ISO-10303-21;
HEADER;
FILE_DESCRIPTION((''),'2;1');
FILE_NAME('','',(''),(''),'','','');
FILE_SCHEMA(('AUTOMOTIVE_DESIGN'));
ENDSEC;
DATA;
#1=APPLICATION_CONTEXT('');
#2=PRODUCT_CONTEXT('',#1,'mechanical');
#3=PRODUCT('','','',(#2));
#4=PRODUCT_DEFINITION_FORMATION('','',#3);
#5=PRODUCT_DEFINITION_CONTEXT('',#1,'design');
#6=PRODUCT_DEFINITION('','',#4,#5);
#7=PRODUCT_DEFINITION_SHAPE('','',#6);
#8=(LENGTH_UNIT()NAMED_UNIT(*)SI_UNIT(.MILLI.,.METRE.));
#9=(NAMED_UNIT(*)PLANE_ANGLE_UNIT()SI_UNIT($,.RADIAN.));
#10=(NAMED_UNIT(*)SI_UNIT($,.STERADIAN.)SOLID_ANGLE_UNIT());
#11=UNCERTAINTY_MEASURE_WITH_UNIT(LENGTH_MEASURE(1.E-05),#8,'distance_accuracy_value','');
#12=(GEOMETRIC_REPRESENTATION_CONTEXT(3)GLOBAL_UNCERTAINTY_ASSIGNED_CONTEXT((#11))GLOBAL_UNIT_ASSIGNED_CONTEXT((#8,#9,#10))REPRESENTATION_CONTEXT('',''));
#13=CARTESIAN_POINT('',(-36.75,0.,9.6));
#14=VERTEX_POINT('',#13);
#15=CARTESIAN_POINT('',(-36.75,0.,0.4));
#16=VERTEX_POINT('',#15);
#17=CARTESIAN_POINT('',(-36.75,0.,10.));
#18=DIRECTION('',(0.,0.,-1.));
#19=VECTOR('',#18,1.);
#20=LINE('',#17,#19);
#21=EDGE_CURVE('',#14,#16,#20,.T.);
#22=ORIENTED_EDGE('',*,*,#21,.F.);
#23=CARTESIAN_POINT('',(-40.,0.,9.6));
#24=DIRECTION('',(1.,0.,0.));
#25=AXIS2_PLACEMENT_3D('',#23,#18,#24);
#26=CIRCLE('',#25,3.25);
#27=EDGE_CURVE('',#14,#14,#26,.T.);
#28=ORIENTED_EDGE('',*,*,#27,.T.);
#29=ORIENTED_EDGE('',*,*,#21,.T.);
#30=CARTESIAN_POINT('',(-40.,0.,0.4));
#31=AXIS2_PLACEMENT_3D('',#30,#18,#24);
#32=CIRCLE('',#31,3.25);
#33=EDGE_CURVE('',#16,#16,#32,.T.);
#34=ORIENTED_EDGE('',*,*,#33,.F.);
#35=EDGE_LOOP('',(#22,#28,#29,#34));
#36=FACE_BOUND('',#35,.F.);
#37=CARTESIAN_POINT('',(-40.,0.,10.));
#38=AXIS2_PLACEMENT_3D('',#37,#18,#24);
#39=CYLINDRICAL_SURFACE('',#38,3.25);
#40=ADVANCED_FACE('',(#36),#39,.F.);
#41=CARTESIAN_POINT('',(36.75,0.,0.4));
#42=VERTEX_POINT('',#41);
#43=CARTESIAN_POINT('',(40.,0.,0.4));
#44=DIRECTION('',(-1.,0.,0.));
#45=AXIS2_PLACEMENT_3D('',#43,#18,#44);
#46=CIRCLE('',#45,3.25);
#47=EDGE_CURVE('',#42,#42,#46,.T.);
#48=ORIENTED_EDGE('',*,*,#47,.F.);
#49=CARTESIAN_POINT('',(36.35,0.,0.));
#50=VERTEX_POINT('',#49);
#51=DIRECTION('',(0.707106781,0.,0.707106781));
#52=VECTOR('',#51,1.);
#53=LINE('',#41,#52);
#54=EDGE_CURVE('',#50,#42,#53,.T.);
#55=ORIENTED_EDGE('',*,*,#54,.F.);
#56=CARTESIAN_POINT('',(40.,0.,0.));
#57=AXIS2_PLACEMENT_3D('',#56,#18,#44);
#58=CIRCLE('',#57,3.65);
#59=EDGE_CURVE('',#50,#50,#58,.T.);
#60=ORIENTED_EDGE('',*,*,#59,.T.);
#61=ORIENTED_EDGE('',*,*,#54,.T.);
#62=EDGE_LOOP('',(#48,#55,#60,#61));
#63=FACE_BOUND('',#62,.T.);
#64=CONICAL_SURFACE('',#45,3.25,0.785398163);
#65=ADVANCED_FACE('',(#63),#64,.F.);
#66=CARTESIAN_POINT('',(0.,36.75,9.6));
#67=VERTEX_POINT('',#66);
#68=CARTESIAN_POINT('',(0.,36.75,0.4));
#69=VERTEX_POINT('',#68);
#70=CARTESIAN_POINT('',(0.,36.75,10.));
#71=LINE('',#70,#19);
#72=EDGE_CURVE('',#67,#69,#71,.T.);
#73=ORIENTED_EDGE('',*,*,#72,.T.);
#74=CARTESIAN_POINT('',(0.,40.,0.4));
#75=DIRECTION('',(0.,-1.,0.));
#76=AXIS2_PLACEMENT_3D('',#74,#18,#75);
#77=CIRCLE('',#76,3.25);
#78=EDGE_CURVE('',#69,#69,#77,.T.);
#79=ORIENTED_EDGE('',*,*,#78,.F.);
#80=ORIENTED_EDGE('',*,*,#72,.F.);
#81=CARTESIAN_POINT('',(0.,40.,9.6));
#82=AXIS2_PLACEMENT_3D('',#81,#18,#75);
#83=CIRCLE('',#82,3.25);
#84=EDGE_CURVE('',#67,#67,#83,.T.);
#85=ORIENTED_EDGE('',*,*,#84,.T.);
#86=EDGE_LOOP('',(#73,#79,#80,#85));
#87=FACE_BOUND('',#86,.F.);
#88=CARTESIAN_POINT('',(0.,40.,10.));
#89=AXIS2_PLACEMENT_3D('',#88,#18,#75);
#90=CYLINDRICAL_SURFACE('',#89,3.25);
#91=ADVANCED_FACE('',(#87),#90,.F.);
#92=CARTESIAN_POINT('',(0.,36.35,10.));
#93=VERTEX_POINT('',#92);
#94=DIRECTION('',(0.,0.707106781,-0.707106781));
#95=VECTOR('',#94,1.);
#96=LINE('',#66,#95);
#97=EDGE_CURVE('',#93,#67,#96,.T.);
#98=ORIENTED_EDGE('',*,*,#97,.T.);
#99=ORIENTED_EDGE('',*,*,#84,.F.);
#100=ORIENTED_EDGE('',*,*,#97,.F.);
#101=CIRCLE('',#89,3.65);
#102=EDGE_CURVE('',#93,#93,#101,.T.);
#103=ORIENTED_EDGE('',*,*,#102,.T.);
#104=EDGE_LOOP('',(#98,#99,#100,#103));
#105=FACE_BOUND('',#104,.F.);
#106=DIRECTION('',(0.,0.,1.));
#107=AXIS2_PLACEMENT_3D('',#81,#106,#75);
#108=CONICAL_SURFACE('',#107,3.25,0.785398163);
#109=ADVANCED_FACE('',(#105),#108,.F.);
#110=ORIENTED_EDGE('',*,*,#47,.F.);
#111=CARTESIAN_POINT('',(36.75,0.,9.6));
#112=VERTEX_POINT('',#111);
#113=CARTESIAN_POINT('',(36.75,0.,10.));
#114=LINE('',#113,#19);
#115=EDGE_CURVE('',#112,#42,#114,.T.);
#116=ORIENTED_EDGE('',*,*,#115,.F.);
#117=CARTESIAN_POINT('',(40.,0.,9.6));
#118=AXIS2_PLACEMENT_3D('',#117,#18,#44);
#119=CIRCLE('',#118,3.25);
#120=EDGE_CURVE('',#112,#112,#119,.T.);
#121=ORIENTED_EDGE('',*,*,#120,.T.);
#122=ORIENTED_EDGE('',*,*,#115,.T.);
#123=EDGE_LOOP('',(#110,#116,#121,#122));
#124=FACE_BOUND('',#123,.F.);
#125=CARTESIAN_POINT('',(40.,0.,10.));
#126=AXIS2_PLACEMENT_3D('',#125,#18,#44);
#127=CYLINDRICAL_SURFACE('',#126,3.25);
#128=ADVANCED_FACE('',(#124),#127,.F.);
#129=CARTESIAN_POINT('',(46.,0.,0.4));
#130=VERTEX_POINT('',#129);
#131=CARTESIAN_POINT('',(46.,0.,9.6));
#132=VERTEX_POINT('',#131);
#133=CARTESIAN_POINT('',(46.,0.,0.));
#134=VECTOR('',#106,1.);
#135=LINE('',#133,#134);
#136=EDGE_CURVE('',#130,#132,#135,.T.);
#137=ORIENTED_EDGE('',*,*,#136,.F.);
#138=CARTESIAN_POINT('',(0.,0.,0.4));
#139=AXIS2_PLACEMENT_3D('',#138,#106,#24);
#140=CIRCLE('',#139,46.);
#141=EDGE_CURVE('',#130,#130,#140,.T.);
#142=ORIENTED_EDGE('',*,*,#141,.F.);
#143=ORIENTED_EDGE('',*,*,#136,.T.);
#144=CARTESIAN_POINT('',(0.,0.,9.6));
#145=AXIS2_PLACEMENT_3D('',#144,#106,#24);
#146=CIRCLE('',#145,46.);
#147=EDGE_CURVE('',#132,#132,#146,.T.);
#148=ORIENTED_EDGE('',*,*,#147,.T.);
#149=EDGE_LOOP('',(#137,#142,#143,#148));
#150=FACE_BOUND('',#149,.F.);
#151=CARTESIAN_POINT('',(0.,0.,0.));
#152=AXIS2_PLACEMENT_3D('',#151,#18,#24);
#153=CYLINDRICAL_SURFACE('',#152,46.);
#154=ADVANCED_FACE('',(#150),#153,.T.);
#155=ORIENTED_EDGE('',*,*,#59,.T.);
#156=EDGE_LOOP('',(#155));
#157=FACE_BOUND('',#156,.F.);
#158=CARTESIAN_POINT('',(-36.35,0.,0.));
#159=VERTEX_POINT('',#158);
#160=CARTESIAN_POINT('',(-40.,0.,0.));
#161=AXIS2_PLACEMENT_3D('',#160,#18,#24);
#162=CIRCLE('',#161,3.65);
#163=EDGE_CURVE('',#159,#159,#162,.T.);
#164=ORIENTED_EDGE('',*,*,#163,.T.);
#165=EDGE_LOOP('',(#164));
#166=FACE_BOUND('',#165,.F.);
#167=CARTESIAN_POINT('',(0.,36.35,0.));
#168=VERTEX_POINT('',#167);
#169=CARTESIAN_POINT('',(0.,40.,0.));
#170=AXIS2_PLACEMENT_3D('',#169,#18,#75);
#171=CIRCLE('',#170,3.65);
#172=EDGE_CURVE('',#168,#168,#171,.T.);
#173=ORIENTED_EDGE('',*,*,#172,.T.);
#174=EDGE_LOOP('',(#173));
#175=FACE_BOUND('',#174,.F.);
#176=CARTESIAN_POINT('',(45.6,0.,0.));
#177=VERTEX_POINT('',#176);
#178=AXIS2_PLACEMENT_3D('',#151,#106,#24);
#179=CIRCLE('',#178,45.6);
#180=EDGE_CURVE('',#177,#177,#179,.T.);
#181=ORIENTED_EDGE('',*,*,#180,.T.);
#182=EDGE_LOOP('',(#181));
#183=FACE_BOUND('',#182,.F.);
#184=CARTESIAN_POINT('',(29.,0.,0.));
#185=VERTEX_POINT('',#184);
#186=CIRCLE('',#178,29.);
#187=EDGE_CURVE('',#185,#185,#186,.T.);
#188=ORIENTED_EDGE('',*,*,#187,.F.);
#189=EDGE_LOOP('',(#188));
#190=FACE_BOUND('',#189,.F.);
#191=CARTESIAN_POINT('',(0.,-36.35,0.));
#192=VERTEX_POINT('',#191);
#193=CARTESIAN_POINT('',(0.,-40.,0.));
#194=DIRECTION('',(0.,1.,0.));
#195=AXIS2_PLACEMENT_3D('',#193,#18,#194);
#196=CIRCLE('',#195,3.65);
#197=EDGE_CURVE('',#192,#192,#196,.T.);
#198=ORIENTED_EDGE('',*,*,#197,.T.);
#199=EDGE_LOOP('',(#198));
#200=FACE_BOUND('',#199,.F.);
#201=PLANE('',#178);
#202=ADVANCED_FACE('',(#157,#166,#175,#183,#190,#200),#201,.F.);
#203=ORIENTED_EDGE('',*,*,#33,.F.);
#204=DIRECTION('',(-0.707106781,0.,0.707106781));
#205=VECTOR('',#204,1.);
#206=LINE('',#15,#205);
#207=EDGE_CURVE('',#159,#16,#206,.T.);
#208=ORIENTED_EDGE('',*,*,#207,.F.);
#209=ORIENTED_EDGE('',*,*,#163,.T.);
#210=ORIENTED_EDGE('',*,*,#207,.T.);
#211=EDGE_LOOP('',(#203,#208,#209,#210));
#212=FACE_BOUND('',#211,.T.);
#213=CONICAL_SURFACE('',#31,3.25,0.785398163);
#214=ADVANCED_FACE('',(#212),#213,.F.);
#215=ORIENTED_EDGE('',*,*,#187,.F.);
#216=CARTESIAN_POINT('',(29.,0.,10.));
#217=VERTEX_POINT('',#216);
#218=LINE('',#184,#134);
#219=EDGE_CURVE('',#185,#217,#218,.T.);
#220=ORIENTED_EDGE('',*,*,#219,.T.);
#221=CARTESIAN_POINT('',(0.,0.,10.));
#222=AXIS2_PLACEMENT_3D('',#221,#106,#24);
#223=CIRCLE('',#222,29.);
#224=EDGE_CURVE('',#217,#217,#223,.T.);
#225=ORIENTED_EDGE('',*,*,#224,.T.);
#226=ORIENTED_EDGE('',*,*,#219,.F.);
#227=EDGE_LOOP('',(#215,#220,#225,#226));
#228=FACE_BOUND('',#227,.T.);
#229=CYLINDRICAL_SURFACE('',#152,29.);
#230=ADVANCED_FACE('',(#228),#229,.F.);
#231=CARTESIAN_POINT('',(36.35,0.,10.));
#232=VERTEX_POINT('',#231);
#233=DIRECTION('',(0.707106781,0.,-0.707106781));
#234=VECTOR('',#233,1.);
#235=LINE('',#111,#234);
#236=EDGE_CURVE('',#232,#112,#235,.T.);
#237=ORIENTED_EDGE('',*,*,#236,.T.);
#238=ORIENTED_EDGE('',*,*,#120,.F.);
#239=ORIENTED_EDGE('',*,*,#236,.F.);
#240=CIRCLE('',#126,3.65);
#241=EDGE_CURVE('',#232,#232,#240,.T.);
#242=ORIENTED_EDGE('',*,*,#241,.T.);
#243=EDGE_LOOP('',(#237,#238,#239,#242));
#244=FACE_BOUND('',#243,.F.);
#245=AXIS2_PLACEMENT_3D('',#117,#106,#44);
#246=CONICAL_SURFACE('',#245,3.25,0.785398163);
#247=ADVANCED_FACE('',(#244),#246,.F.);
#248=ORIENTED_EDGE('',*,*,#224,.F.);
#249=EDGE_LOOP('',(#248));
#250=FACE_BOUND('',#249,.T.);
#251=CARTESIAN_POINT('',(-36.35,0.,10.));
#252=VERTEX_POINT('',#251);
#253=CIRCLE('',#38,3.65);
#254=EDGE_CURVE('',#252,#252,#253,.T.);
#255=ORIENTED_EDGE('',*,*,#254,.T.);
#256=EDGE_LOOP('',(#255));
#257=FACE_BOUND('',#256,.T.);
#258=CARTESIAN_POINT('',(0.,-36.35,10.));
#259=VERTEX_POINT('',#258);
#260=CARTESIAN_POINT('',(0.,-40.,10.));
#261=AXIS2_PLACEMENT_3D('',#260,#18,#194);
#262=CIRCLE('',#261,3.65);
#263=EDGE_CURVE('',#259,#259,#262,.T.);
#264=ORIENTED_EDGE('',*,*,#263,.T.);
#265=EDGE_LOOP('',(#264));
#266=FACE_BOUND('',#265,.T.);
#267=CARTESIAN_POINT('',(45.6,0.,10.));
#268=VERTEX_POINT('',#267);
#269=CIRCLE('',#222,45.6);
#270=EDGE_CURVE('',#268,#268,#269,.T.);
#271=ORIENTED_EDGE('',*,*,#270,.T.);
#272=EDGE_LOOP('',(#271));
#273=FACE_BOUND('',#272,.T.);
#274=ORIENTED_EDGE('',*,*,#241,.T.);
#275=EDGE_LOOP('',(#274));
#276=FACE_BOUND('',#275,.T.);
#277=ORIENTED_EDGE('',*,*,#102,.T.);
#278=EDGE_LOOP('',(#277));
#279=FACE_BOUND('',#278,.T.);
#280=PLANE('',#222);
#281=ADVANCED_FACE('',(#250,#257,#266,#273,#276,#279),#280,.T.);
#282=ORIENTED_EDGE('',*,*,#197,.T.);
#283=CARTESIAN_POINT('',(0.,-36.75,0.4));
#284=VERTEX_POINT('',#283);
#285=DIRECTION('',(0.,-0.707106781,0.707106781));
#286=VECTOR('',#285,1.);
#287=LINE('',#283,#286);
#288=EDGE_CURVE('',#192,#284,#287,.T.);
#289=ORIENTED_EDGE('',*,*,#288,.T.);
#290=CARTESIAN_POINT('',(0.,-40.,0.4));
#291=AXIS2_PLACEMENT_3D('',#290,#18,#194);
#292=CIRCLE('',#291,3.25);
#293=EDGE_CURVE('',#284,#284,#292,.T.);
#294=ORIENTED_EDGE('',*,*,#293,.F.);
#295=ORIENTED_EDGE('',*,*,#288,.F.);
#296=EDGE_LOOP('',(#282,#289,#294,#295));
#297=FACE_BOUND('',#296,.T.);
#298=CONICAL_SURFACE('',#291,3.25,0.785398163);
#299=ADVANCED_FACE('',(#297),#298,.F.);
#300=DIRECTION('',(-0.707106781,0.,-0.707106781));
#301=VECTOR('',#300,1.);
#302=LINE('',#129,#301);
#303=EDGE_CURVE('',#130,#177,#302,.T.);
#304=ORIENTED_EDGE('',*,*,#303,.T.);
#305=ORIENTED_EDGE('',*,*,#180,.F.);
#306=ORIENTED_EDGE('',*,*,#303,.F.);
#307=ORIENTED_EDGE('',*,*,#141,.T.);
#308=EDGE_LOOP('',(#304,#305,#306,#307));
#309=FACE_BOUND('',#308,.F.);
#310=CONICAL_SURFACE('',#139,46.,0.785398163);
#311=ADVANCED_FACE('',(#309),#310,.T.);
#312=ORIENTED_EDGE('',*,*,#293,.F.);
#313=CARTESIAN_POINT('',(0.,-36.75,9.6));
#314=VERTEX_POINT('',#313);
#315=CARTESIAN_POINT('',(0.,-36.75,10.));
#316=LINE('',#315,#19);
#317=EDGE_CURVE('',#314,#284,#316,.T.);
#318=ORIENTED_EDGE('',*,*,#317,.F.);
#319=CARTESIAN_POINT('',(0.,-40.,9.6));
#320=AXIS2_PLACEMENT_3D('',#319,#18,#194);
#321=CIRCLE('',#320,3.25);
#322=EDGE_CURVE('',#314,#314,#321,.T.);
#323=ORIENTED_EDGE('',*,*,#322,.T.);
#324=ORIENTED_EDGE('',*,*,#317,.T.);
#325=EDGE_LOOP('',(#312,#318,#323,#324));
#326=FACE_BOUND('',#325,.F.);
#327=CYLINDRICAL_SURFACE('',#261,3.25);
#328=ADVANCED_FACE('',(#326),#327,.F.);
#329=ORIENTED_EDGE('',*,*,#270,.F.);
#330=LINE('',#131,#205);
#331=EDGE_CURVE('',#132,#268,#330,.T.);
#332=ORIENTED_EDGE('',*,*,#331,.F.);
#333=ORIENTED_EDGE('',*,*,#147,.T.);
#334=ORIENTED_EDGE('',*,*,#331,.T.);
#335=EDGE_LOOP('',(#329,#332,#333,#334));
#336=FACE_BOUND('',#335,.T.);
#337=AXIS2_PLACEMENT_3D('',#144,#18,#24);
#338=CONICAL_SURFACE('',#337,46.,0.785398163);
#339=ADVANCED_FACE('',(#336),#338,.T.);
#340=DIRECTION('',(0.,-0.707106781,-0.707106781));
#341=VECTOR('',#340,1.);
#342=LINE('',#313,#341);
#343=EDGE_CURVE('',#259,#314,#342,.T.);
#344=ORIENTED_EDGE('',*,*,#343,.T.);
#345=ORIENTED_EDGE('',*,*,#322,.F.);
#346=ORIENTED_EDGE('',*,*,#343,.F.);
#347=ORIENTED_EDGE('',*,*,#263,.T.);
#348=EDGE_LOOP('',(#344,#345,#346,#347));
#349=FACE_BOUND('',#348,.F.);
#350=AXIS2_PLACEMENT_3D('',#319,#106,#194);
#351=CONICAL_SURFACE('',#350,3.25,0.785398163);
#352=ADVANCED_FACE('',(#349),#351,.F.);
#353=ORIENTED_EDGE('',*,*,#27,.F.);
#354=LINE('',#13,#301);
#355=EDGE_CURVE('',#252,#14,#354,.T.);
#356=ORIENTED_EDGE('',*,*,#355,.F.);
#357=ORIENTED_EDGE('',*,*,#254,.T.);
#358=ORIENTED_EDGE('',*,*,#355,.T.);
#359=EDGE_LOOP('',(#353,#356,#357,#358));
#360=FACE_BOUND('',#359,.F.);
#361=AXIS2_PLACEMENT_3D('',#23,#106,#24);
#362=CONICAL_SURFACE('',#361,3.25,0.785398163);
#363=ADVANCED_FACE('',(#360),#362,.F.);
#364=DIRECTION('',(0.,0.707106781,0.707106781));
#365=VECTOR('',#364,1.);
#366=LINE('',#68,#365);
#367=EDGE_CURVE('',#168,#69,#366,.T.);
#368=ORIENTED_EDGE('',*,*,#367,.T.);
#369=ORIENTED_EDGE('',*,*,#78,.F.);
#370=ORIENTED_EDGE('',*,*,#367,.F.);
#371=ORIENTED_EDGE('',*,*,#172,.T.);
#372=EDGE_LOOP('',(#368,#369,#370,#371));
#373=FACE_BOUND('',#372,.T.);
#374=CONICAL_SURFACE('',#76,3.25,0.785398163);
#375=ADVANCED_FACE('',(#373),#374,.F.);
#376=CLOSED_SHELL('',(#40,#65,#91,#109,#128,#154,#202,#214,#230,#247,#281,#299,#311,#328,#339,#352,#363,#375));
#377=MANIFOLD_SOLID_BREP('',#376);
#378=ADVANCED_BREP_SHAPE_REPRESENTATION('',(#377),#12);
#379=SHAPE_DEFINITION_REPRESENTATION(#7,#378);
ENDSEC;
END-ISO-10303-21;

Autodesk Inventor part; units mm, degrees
ref_plane "YZ Plane" through (0, 0, 0) normal (1, 0, 0) x (0, 1, 0)
ref_plane "XZ Plane" through (0, 0, 0) normal (0, 1, 0) x (-1, 0, 0)
ref_plane "XY Plane" through (0, 0, 0) normal (0, 0, 1) x (1, 0, 0)
sketch "Sketch1" plane through (0, 0, 0) normal (0, 0, 1) x (1, 0, 0)
  circle A0 centre (0, 0) radius 46
  circle A1 centre (0, 0) radius 29
  dimension "d0" = 58
  dimension "d1" = 92
extrude "Extrusion1" add sketch "Sketch1" along normal blind 10
sketch "Sketch2" plane through (0, 0, 10) normal (0, 0, 1) x (1, 0, 0)
  circle A0 centre (0, 0) radius 29 projected
  circle A1 centre (0, 0) radius 40 construction
  point P0 (0, 40)
  dimension "d4" = 80
hole "Hole1" at (0, 40, 10) direction (0, 0, -1) diameter 6.5 end through all
pattern_circular "Circular Pattern1" count 4 over 360 about axis through (0, 0, 0) along (0, 0, 1) of "Hole1"
chamfer "Chamfer1" distance 0.4 angle 45 10 edges at (-46, 0, 0) (-46, 0, 10) (0, 43.25, 0) (-43.25, 0, 0) (43.25, 0, 0) (0, -43.25, 0) (43.25, 0, 10) (0, 43.25, 10) (0, -43.25, 10) (-43.25, 0, 10)
equation "\"d0\" = ID"
equation "\"d1\" = OD"
equation "\"OD\" = 92"
equation "\"ID\" = 58"
properties part number "pld_flange_flat_ak"
